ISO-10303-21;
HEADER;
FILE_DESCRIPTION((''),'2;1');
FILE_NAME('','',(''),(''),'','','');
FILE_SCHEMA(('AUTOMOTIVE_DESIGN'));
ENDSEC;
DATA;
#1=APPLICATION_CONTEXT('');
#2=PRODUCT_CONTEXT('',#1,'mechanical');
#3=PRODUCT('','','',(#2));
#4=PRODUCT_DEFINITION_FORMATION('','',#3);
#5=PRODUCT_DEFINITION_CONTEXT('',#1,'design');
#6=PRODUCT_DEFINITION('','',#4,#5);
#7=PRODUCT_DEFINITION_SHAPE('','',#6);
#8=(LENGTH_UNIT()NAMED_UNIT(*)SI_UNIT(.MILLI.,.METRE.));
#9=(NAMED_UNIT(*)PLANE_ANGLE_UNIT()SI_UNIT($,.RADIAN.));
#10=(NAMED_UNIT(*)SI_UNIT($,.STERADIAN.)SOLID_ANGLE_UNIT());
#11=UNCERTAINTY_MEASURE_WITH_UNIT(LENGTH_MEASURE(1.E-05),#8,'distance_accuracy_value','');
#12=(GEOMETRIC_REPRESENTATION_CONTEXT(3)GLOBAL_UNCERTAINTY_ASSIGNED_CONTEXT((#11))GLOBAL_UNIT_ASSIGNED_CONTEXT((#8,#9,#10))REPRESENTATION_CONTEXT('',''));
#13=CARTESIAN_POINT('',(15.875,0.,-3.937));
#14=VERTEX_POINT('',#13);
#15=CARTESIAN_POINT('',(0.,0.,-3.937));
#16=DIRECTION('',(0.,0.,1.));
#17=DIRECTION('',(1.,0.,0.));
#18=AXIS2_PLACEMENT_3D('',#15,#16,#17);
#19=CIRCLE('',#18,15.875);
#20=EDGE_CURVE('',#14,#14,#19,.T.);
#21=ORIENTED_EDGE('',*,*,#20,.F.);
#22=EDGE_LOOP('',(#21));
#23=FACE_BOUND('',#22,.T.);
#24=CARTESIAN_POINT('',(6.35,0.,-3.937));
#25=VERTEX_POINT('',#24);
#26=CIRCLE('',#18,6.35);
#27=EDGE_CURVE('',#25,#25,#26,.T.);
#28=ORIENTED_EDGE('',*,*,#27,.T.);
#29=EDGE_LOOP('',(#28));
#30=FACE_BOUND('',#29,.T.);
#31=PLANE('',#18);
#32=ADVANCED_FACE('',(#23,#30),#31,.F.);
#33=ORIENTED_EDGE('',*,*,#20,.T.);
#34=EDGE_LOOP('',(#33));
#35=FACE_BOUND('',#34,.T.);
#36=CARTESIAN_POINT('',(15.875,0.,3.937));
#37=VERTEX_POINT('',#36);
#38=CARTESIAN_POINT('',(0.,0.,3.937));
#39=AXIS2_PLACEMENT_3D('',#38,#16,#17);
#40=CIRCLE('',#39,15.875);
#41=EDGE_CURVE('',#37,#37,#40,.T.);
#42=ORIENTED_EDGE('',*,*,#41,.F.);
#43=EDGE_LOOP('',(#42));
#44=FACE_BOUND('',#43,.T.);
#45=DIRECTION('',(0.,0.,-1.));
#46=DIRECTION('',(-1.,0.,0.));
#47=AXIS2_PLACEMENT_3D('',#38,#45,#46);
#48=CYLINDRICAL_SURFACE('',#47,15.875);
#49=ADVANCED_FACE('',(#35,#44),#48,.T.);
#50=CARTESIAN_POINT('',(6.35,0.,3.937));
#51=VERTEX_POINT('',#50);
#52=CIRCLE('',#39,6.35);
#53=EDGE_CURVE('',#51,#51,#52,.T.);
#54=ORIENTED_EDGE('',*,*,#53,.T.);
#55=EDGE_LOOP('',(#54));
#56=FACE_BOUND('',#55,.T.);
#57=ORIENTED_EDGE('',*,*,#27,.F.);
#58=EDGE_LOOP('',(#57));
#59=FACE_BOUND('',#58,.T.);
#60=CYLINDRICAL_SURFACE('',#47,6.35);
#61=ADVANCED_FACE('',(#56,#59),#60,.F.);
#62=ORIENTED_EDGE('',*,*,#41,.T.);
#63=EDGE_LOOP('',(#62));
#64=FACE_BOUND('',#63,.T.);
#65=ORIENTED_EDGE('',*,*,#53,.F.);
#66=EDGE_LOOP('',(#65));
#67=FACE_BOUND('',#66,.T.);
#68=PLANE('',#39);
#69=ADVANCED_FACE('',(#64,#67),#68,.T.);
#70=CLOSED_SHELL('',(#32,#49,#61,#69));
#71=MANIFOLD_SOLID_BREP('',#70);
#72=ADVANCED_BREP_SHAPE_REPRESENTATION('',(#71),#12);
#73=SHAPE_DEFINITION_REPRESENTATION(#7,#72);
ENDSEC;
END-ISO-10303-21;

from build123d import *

# Parameters (mm, degrees)
SKETCH1_R           = 15.875
SKETCH1_R_2         = 6.35
BOSS_EXTRUDE1_DEPTH = 3.937


with BuildPart() as part:
    # Sketch1 → Boss-Extrude1 (new body, symmetric)
    with BuildSketch(Plane.XY):
        Circle(SKETCH1_R)
        Circle(SKETCH1_R_2, mode=Mode.SUBTRACT)
    extrude(amount=BOSS_EXTRUDE1_DEPTH, both=True)


solid = part.part
